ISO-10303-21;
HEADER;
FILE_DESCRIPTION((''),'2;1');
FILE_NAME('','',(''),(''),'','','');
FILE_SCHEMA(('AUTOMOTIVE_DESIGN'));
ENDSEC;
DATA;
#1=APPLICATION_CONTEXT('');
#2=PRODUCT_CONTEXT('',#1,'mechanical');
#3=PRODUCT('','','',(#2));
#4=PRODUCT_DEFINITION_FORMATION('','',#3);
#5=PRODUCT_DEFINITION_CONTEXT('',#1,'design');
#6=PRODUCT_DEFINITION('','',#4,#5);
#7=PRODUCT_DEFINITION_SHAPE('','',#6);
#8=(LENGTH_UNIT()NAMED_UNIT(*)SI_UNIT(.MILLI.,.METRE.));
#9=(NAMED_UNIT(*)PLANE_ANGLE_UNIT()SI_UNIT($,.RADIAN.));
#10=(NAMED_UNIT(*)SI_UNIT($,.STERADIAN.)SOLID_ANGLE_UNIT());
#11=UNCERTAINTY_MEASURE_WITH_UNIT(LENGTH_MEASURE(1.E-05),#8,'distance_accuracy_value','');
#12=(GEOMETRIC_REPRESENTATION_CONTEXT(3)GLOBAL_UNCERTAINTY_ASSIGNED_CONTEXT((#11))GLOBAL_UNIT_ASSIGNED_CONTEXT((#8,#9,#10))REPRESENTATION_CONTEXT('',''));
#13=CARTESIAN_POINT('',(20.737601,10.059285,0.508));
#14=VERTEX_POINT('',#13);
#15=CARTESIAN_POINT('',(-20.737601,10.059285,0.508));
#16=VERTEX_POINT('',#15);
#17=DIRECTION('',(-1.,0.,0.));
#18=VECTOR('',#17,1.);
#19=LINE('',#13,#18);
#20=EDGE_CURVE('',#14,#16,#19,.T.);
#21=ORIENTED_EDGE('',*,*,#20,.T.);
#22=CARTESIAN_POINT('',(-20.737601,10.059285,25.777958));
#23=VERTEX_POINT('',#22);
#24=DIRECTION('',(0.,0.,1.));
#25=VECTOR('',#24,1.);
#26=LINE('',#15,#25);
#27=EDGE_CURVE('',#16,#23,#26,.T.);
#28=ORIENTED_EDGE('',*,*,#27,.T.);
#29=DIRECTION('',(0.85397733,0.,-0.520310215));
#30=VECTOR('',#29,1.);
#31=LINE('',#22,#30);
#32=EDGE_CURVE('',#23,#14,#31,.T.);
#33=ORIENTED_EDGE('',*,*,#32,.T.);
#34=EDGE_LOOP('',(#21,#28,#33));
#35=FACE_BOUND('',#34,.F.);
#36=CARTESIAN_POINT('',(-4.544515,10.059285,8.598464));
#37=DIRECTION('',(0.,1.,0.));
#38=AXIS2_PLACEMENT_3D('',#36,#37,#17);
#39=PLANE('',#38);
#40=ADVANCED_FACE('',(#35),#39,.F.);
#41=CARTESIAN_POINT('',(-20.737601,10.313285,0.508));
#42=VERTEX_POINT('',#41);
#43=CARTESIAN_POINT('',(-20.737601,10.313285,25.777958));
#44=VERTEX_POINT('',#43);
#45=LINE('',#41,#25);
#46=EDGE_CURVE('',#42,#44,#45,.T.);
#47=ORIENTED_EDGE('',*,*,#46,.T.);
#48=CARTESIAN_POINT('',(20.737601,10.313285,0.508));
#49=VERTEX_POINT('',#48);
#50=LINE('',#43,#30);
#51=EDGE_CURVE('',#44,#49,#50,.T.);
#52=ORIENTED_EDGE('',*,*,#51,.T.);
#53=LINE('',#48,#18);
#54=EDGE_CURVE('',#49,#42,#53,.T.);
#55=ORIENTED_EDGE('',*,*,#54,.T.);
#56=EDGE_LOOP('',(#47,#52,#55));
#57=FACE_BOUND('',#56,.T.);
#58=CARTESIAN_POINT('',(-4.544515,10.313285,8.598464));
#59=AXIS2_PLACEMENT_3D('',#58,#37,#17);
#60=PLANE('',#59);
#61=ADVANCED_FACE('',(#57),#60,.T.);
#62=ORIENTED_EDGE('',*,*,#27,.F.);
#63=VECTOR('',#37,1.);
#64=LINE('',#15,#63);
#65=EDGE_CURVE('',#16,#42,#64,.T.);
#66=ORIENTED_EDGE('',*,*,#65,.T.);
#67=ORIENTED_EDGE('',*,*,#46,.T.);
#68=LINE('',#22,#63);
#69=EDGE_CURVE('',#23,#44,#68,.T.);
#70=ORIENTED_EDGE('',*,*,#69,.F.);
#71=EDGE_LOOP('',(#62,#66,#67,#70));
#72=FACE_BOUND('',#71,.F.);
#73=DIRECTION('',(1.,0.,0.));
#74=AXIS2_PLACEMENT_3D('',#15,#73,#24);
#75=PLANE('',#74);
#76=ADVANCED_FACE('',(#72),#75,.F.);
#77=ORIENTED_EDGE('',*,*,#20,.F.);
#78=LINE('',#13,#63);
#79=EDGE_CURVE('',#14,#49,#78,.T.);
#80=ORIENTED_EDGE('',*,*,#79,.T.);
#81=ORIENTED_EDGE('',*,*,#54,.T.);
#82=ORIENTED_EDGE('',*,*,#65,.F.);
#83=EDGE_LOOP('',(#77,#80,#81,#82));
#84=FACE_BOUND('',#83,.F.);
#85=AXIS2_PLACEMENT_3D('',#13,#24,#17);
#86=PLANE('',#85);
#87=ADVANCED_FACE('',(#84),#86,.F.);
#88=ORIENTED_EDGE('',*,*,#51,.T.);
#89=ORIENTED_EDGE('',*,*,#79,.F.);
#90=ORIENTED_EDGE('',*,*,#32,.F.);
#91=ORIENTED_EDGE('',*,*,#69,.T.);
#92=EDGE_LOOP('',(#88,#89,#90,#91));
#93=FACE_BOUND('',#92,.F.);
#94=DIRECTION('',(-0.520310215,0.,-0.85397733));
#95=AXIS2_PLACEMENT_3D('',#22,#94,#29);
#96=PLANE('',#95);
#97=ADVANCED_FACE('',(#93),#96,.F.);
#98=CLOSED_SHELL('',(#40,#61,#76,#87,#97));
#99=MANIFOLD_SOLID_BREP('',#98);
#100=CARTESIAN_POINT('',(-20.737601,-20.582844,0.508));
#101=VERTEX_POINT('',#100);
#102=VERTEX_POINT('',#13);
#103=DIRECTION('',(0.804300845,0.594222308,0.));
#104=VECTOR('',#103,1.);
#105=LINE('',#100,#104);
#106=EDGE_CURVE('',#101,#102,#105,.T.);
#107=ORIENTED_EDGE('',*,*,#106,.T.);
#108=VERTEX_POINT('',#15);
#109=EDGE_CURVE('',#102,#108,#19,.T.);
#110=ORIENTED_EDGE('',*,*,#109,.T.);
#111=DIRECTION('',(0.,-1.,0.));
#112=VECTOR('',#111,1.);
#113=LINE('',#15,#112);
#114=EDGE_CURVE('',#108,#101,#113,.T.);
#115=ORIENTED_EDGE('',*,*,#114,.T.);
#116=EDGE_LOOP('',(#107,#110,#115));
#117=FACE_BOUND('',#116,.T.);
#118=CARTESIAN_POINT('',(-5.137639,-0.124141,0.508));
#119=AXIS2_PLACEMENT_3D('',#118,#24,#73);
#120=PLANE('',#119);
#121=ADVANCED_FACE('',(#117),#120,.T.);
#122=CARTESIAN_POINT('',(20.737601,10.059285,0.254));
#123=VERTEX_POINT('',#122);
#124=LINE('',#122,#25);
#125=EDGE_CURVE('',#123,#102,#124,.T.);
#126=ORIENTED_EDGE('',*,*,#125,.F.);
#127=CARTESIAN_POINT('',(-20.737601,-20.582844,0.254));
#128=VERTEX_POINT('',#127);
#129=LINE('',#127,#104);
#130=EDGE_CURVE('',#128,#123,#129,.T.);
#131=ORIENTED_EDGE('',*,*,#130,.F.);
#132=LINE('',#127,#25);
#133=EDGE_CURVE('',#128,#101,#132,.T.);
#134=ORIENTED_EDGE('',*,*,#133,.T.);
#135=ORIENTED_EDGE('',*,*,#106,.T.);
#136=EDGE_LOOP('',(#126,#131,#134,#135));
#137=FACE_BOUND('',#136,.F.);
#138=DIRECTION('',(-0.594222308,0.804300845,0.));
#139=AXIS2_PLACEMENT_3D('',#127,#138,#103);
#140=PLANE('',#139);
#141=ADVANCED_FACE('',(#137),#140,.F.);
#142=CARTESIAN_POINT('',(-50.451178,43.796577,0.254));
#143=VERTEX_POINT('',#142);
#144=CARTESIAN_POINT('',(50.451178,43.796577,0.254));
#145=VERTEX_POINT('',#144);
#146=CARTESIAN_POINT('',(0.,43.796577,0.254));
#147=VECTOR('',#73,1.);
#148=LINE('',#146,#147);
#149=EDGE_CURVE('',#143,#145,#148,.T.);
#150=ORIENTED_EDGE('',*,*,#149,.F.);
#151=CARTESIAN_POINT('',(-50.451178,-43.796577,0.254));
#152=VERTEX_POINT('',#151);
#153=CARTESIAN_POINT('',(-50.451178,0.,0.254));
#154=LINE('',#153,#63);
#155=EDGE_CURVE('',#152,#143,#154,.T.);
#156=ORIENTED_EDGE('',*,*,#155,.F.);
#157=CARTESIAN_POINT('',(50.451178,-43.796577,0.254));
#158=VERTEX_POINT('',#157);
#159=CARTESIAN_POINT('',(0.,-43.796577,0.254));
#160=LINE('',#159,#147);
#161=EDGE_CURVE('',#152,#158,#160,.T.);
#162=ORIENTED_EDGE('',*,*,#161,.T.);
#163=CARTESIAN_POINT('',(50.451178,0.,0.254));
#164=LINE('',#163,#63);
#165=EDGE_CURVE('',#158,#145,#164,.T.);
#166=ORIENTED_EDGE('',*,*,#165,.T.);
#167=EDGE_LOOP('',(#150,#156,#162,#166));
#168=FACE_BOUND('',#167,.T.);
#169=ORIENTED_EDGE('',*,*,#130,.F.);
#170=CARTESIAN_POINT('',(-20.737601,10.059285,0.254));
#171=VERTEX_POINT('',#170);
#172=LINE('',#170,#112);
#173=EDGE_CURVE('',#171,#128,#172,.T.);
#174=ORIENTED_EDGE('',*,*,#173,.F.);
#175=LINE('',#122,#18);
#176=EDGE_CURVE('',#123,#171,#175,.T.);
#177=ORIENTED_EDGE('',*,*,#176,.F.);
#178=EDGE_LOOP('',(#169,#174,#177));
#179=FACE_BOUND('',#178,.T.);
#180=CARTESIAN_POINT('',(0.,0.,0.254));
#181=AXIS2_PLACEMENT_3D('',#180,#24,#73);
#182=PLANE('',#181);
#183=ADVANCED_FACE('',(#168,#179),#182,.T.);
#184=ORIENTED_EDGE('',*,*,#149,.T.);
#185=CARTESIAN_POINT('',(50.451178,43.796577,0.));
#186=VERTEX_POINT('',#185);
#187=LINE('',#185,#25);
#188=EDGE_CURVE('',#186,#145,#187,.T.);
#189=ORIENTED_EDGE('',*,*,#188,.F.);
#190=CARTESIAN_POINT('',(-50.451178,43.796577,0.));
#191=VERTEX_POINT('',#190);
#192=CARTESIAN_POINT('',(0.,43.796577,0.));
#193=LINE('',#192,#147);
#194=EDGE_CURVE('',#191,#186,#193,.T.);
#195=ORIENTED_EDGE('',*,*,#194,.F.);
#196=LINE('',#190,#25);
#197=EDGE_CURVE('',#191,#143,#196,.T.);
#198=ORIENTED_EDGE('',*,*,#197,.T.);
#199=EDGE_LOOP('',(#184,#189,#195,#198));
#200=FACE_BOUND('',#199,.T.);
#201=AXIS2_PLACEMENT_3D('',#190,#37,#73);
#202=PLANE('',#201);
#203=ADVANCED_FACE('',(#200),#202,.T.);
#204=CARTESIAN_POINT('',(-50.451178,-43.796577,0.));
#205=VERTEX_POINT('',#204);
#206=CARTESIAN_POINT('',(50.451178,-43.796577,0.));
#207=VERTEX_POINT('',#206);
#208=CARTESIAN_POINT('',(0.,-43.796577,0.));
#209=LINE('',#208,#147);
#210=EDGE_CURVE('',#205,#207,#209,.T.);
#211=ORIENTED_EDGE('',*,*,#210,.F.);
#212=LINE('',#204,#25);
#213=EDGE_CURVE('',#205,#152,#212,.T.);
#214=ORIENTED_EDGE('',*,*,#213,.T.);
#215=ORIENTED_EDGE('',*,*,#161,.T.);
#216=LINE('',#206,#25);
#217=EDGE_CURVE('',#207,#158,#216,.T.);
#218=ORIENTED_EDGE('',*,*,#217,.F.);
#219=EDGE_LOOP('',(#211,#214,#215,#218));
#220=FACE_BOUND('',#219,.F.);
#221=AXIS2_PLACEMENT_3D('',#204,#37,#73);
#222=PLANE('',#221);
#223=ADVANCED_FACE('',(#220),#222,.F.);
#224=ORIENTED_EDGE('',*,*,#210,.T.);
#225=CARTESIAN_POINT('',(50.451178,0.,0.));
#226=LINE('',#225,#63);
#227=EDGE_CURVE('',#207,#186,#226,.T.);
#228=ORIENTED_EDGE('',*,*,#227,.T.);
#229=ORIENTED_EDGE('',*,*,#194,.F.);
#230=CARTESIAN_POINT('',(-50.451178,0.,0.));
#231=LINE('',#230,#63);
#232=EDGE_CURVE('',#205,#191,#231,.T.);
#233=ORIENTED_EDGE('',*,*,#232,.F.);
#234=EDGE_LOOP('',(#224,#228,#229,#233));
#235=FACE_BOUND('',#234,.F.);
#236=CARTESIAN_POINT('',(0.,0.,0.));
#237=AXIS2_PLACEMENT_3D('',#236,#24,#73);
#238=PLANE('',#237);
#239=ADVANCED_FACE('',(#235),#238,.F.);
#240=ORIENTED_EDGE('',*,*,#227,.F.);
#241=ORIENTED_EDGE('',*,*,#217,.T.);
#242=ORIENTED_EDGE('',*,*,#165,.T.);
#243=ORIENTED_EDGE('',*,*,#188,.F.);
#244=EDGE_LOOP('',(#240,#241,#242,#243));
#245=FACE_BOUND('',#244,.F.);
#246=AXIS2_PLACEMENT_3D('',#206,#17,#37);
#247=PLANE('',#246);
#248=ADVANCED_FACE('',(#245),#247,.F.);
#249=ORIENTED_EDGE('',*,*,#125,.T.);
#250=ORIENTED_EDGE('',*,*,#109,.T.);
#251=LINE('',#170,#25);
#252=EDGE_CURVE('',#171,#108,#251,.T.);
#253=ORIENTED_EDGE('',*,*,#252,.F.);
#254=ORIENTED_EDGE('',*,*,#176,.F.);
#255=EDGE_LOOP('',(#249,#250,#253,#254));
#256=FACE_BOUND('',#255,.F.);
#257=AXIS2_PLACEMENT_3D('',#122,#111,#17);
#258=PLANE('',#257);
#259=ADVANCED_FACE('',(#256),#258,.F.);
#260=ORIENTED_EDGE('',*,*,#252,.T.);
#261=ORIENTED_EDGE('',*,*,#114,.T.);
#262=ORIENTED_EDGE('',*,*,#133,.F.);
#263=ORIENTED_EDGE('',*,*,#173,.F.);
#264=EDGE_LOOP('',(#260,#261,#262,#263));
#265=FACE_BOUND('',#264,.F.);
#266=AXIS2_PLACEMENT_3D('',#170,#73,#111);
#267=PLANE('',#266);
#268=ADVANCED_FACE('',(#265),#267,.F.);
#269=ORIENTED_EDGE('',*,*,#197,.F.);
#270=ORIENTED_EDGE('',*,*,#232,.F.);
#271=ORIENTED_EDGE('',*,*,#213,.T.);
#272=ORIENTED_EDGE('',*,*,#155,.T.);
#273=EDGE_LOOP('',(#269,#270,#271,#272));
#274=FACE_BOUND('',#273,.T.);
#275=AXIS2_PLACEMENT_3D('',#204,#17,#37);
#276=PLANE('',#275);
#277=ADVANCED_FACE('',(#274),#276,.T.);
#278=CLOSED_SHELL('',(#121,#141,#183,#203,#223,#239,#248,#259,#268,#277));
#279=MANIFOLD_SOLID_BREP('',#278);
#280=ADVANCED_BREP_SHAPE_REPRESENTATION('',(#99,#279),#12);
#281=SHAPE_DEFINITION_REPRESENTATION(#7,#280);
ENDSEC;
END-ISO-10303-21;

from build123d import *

# Parameters (mm, degrees)
F0_W     = 100.902356
F0_H     = 87.593154
F1_DEPTH = 0.254
F3_DEPTH = 0.254
F5_DEPTH = 0.254


with BuildPart() as f1:
    # F0 (on Top) → F1 (new body)
    with BuildSketch(Plane.XY):
        Rectangle(F0_W, F0_H)
    extrude(amount=F1_DEPTH)

    # F2 (on face) → F3 (join)
    with BuildSketch(Plane.XY.offset(0.254)):
        Polygon((20.737601, 10.059285), (-20.737601, 10.059285), (-20.737601, -20.582844), align=None)
    extrude(amount=F3_DEPTH)


with BuildPart() as f5:
    # F4 (on face) → F5 (new body)
    with BuildSketch(Plane(origin=(0, 10.059285, 0), x_dir=(-1, 0, 0), z_dir=(0, 1, 0))):
        Polygon((-20.737601, 0.508), (20.737601, 0.508), (20.737601, 25.777958), align=None)
    extrude(amount=F5_DEPTH)


solid = Compound([f1.part, f5.part])
